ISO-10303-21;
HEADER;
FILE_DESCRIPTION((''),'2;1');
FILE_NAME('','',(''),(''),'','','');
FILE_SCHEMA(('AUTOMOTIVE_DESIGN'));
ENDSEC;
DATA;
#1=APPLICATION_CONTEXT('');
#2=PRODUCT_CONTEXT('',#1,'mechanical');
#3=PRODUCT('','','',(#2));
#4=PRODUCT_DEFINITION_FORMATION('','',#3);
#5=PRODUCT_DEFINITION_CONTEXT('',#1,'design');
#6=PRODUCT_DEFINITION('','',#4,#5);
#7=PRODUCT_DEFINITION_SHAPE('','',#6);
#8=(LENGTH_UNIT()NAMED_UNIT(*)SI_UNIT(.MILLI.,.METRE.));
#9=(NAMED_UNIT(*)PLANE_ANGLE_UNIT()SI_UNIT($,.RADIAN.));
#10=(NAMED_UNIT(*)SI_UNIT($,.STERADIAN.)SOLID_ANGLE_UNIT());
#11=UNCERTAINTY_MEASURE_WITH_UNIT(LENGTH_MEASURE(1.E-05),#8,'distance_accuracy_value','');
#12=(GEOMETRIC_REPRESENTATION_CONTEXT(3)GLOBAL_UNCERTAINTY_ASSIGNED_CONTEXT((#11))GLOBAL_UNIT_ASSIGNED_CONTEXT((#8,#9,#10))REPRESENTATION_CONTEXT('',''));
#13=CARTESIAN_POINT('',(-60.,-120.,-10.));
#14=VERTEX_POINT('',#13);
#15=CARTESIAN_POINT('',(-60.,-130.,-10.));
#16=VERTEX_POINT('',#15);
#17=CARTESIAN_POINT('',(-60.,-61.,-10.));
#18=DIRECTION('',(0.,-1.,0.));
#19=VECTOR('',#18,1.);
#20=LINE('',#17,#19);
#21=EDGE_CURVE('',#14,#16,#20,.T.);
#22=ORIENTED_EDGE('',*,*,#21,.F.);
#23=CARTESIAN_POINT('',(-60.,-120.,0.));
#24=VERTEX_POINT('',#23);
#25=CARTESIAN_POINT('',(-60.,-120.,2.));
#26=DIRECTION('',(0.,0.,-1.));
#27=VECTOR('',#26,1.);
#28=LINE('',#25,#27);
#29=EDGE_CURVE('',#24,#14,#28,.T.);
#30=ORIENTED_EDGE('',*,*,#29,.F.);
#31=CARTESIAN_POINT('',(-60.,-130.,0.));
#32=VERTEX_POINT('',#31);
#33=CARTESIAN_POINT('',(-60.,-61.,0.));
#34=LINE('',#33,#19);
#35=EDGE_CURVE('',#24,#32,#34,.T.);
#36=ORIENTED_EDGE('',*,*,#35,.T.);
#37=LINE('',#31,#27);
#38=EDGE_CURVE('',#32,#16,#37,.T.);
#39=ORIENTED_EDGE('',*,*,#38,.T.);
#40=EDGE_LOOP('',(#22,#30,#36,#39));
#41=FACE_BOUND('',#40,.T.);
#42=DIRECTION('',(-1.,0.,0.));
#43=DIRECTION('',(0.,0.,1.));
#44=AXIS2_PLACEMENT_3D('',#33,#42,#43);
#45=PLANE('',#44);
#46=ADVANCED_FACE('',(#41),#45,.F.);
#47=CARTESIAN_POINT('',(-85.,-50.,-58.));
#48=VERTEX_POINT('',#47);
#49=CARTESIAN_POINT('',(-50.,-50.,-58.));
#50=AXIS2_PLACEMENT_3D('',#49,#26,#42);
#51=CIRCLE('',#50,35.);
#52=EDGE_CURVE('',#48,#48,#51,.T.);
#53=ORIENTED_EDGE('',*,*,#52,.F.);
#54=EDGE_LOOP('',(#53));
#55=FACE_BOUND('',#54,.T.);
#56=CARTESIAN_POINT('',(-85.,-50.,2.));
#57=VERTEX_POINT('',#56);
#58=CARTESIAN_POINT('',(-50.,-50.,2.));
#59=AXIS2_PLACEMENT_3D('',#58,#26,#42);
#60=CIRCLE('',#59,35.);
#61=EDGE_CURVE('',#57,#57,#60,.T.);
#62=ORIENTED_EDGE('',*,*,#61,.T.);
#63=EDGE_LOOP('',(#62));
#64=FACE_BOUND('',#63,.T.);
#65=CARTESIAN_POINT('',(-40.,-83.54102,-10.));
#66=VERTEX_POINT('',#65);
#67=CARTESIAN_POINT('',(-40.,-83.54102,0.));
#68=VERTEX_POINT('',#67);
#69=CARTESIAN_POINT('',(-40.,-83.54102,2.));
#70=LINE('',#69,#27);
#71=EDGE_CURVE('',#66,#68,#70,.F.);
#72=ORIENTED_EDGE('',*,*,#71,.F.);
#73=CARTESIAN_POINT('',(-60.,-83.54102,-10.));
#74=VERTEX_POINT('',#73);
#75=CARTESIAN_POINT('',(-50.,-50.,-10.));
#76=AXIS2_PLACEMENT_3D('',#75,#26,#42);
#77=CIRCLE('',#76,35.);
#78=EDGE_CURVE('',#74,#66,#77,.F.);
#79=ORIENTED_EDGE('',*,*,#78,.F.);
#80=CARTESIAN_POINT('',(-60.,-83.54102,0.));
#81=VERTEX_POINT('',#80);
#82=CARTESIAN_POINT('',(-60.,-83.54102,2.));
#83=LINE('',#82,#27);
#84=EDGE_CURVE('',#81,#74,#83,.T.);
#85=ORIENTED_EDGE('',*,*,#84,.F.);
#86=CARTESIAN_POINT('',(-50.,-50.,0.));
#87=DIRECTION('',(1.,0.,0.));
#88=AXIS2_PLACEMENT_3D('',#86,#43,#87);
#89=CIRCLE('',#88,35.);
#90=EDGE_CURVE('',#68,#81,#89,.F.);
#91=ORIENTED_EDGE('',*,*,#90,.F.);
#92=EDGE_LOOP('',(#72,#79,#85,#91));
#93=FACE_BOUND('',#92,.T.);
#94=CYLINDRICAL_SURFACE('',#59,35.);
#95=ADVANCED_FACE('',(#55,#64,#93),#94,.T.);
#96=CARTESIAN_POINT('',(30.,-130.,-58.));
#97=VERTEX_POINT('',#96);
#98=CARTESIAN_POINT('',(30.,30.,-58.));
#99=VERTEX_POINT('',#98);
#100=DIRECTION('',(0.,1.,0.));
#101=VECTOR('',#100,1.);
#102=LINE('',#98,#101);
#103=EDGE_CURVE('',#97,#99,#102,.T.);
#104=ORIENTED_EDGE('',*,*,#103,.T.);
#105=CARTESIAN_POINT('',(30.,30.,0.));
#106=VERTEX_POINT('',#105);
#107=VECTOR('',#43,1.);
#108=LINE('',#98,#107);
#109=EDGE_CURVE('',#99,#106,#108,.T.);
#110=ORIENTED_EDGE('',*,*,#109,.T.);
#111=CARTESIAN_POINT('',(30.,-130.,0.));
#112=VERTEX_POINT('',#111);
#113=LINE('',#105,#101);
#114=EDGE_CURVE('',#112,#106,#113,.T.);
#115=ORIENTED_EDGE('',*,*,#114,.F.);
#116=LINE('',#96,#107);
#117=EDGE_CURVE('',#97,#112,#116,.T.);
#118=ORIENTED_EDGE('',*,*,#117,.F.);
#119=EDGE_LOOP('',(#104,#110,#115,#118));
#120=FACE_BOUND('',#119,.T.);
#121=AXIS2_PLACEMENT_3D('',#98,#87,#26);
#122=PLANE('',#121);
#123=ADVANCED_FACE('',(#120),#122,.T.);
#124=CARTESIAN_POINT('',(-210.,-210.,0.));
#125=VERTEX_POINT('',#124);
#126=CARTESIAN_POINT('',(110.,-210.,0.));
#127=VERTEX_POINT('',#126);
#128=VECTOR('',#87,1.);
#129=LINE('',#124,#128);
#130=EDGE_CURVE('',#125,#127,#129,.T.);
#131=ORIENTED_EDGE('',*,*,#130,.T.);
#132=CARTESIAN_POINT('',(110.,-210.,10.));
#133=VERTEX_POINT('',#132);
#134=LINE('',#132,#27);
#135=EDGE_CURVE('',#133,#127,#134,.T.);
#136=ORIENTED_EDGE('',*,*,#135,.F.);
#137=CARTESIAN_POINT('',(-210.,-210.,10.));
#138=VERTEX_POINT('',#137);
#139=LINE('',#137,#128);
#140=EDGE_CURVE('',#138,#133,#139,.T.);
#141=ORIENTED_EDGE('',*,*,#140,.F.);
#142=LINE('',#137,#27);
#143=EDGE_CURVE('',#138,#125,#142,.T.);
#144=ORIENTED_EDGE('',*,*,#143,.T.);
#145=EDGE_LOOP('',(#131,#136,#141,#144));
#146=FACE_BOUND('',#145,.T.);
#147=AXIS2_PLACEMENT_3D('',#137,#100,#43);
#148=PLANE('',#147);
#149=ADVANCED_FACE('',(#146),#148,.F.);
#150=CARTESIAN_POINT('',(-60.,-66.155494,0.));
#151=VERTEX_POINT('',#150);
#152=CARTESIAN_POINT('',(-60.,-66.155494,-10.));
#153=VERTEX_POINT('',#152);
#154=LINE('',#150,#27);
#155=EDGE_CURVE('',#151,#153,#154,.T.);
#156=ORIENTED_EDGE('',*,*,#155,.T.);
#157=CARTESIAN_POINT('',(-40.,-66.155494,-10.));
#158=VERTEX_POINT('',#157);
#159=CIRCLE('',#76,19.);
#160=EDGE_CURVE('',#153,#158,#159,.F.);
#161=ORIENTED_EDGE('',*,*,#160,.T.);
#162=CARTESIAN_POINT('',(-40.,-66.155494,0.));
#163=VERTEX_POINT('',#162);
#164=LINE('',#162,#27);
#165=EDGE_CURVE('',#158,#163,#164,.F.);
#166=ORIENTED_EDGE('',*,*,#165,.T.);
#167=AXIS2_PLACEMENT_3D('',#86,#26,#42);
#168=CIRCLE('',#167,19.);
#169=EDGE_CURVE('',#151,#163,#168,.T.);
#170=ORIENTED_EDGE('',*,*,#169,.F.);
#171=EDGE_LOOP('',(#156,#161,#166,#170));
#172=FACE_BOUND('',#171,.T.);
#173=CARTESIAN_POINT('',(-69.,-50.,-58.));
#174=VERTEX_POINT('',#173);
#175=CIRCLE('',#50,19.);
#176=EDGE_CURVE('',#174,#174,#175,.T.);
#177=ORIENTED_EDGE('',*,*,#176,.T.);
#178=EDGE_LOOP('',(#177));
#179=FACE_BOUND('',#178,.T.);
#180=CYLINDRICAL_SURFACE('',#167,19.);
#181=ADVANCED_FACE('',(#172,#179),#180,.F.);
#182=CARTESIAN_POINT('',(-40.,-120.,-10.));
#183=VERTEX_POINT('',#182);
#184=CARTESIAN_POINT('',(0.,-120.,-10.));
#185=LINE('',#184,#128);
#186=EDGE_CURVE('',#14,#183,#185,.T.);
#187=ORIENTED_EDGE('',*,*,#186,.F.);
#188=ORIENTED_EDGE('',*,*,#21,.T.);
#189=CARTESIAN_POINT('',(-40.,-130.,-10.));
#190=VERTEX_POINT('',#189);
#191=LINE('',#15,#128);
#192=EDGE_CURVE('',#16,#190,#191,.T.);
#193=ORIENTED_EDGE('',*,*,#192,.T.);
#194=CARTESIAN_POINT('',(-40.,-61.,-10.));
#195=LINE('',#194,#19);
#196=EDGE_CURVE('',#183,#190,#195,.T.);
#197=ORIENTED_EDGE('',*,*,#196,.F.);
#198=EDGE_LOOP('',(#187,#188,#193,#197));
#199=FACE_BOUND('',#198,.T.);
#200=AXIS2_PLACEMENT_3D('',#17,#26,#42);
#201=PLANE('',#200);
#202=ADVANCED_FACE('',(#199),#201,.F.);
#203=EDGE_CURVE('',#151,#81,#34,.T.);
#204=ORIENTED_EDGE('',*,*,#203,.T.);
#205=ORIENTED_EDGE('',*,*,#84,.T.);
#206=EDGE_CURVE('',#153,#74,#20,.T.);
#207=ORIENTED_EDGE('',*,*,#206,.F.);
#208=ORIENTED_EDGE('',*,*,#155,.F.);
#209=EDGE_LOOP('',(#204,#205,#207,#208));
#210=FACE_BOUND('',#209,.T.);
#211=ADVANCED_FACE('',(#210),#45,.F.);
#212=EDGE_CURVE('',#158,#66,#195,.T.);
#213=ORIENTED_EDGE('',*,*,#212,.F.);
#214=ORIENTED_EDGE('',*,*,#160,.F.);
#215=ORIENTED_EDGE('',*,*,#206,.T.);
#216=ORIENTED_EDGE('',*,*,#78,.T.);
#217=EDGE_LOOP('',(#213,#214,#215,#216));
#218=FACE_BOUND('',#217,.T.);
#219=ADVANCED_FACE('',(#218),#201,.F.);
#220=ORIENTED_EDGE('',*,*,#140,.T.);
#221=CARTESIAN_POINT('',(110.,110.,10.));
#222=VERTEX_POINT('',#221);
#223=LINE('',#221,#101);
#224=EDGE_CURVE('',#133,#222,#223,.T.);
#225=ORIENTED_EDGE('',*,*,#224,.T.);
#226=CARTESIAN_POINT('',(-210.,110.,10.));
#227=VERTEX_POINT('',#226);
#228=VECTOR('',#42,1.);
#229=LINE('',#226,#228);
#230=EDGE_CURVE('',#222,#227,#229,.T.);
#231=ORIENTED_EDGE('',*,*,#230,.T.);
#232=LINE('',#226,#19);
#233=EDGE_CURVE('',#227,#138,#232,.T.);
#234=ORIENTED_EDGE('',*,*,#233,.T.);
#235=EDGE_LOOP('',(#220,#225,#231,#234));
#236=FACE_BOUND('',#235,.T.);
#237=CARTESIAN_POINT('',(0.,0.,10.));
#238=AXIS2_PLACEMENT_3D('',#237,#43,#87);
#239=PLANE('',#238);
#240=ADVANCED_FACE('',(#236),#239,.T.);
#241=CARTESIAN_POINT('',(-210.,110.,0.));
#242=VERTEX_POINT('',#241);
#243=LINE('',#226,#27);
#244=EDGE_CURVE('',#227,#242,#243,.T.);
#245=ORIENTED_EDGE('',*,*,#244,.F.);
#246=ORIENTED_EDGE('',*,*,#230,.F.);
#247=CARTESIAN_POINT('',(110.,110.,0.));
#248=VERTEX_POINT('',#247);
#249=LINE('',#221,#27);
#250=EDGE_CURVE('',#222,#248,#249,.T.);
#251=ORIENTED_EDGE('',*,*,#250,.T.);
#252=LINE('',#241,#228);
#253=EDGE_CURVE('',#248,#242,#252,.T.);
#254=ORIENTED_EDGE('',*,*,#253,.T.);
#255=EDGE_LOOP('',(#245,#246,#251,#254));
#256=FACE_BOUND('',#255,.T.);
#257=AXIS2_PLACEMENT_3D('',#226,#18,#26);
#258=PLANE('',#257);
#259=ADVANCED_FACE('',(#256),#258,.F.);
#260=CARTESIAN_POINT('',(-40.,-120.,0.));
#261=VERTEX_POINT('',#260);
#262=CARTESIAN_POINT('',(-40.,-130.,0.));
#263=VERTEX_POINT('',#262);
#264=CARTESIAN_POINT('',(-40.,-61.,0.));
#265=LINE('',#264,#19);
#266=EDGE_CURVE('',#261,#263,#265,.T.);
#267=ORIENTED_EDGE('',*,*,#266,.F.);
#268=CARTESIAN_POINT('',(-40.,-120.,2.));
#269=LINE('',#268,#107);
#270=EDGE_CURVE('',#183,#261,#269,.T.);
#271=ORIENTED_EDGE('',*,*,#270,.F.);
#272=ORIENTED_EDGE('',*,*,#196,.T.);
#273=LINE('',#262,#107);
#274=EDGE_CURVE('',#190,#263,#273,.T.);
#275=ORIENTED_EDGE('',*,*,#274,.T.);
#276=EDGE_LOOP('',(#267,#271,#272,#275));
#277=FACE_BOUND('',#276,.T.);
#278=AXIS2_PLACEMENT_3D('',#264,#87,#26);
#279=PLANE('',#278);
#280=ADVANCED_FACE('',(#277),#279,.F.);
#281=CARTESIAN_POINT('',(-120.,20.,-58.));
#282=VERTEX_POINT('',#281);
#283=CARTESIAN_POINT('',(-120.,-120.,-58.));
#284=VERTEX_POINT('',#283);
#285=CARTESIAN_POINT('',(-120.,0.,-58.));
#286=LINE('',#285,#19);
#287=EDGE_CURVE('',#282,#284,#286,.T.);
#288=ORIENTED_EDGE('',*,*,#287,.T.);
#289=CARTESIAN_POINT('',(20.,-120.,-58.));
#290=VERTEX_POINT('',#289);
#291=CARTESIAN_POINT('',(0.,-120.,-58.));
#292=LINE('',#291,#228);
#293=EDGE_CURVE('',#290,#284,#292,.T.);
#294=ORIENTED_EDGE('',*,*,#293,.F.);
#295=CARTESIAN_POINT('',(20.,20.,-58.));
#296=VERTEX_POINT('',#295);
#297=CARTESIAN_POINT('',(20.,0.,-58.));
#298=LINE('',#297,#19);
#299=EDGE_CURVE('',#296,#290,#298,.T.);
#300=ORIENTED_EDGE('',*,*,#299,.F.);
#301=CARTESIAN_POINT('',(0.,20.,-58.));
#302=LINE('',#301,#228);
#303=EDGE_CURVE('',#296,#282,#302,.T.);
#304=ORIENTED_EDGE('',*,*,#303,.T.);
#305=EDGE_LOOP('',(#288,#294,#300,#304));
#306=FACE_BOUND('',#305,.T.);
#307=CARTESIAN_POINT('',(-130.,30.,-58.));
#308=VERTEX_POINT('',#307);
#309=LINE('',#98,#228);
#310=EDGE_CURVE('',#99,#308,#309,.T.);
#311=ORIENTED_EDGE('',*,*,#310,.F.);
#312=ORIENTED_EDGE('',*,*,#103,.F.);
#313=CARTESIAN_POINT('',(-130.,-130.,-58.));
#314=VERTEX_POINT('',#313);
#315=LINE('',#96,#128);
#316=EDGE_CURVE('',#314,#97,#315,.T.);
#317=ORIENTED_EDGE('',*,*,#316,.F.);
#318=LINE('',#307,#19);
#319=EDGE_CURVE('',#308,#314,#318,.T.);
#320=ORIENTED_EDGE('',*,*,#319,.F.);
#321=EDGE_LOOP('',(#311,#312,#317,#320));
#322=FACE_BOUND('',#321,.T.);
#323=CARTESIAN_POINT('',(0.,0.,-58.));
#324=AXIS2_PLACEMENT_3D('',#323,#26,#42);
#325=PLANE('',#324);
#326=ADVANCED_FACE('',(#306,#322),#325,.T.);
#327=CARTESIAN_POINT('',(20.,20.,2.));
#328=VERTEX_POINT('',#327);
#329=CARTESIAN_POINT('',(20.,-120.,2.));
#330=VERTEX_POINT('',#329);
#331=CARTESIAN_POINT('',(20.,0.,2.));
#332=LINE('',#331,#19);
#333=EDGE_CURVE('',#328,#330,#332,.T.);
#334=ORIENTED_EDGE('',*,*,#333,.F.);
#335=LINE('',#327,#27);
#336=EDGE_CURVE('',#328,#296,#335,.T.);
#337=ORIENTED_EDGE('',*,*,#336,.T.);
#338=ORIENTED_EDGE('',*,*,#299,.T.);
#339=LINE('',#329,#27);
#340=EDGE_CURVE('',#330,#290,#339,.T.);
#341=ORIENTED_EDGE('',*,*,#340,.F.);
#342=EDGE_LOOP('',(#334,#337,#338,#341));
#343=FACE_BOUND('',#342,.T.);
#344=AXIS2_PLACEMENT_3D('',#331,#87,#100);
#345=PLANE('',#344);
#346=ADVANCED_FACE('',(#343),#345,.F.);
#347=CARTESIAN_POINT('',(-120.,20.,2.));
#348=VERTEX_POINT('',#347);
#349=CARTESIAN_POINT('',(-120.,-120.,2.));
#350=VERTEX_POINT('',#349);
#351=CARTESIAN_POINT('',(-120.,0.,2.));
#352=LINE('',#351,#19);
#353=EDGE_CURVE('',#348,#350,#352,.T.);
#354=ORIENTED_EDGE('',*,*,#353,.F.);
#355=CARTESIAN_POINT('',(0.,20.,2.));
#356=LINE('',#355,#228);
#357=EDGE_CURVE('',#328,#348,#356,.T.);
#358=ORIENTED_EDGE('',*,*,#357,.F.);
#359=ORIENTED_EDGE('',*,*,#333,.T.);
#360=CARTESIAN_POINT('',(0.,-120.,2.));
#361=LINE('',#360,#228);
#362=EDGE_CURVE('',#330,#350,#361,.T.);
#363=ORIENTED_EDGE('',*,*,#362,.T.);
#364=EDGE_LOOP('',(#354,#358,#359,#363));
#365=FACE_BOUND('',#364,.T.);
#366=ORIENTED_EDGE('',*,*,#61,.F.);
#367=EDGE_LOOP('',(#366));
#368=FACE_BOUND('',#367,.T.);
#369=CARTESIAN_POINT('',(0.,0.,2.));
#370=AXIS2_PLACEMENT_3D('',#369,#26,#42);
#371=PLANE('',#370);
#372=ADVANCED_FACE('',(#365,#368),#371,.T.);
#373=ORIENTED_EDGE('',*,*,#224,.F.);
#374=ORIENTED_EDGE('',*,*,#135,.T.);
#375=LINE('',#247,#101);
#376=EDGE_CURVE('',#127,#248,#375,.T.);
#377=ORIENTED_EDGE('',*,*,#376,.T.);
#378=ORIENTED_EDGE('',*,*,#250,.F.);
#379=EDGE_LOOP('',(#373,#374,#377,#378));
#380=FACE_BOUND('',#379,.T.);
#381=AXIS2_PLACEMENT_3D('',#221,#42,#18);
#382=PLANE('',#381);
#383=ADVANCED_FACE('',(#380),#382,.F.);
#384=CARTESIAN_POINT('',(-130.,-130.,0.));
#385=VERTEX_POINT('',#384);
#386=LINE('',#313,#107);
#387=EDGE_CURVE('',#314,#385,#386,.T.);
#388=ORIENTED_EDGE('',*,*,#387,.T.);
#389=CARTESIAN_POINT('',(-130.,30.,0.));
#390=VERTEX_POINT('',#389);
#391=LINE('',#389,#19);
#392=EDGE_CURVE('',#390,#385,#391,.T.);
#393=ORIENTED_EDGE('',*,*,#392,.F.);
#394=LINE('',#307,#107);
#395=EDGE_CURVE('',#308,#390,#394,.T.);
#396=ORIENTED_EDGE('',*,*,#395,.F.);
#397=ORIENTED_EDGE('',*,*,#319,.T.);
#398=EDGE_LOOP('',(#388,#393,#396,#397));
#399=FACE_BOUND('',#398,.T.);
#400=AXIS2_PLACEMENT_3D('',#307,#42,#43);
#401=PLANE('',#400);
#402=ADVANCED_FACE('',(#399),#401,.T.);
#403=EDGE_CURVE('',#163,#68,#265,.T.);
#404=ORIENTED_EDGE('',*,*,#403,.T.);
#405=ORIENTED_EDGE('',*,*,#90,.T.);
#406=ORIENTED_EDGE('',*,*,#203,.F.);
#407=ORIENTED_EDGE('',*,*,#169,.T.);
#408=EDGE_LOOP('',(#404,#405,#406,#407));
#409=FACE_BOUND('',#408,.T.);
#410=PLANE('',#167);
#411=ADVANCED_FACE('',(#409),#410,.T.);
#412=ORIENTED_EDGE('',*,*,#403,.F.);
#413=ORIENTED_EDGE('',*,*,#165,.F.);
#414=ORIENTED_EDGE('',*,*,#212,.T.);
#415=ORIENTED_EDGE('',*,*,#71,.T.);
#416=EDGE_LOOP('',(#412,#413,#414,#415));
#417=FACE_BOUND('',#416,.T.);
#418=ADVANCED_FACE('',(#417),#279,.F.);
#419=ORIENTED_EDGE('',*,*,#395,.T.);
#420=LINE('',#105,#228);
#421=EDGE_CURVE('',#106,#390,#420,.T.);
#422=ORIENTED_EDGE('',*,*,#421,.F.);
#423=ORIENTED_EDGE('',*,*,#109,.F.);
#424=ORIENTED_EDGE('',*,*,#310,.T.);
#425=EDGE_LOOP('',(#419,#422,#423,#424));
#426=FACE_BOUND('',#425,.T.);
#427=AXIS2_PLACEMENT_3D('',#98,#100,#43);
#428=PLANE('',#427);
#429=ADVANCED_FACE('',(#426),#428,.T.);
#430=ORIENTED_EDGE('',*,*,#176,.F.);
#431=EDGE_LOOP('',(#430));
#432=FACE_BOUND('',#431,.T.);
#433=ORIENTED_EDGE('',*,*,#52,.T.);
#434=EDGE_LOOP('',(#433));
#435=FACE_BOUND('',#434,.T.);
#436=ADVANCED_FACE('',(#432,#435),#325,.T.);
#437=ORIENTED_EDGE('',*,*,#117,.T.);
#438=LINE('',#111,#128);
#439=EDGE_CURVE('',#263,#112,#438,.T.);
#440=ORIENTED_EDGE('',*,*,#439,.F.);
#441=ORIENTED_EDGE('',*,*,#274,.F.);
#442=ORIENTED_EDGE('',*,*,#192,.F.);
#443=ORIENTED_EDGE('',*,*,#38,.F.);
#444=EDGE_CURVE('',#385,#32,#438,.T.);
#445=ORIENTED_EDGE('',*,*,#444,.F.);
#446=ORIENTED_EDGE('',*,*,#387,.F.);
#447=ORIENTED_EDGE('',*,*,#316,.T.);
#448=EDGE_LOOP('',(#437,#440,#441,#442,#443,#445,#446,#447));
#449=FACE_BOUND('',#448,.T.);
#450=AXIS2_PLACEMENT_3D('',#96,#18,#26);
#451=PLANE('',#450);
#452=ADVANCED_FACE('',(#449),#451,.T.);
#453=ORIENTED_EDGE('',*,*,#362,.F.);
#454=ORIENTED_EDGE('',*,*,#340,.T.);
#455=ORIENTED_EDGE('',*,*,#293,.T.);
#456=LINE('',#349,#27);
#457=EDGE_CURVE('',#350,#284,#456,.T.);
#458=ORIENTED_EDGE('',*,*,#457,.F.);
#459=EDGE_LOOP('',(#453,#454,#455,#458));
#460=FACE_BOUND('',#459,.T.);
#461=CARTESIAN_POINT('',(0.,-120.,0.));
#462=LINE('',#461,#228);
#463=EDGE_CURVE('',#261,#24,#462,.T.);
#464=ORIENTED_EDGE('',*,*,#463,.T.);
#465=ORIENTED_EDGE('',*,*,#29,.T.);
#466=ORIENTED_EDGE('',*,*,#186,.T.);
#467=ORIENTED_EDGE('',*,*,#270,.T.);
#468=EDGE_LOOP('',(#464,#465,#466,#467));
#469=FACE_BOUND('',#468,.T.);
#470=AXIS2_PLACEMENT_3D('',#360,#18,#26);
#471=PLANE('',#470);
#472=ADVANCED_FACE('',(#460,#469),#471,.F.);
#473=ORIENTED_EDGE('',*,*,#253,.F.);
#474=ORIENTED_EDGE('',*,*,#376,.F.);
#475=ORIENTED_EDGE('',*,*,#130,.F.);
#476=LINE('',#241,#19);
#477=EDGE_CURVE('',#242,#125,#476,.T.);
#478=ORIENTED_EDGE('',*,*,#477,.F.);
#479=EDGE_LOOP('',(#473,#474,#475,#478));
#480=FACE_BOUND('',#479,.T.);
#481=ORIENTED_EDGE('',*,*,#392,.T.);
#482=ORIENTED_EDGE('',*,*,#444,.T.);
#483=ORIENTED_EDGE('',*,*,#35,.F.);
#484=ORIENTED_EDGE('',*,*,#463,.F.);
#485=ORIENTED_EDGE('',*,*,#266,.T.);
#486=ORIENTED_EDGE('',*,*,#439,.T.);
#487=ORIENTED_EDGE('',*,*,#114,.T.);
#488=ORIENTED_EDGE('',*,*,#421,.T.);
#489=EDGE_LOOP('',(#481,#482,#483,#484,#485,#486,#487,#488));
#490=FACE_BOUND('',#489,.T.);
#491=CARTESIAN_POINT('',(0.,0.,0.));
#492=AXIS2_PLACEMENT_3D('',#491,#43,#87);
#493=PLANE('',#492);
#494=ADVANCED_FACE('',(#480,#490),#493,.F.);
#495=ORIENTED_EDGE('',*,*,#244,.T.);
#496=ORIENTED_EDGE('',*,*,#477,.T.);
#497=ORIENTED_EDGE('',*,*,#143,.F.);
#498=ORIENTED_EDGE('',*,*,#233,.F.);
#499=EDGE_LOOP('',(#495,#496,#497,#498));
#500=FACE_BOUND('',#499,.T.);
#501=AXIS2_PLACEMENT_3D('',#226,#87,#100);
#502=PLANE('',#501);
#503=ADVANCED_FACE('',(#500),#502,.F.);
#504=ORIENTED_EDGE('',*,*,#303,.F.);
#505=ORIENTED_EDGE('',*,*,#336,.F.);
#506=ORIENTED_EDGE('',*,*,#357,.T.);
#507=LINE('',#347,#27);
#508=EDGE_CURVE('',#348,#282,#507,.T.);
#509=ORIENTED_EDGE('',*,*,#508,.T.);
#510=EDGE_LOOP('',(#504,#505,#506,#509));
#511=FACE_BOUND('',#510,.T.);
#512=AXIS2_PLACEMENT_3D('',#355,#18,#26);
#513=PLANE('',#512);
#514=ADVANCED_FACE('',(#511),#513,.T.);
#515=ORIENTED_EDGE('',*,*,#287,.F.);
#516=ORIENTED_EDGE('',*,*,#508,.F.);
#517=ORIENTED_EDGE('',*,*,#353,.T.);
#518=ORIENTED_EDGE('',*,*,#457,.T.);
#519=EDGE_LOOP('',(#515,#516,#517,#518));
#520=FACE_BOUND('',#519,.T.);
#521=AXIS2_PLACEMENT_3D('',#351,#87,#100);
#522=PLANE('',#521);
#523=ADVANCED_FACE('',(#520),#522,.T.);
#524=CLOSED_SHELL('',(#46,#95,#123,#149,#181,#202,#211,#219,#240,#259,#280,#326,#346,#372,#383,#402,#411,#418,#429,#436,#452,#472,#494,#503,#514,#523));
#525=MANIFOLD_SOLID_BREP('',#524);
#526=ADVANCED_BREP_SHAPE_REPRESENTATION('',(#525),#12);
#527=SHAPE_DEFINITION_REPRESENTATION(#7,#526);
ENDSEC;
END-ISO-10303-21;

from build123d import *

# Parameters (mm, degrees)
CROQUIS1_W              = 320
CROQUIS1_H              = 320
SALIENTE_EXTRUIR2_DEPTH = 10
CROQUIS2_W              = 160
CROQUIS2_H              = 160
SALIENTE_EXTRUIR3_DEPTH = 58
CROQUIS3_R              = 19
CORTAR_EXTRUIR1_DEPTH   = 58
CROQUIS6_W              = 140
CROQUIS6_H              = 140
CROQUIS6_R              = 35
CORTAR_EXTRUIR5_DEPTH   = 60
CROQUIS7_W              = 20
CROQUIS7_H              = 10
CORTAR_EXTRUIR6_DEPTH   = 69


with BuildPart() as part:
    # Croquis1 → Saliente-Extruir2 (new body)
    with BuildSketch(Plane.XY):
        with Locations((-50, -50)):
            Rectangle(CROQUIS1_W, CROQUIS1_H)
    extrude(amount=SALIENTE_EXTRUIR2_DEPTH)

    # Croquis2 → Saliente-Extruir3 (add)
    with BuildSketch(Plane.XY):
        with Locations((-50, -50)):
            Rectangle(CROQUIS2_W, CROQUIS2_H)
    extrude(amount=-SALIENTE_EXTRUIR3_DEPTH)

    # Croquis3 → Cortar-Extruir1 (cut)
    with BuildSketch(Plane(origin=(0, 0, -58), x_dir=(-1, 0, 0), z_dir=(0, 0, -1))):
        with Locations((50, -50)):
            Circle(CROQUIS3_R)
    extrude(amount=-CORTAR_EXTRUIR1_DEPTH, mode=Mode.SUBTRACT)

    # Croquis6 → Cortar-Extruir5 (cut)
    with BuildSketch(Plane(origin=(0, 0, -58), x_dir=(-1, 0, 0), z_dir=(0, 0, -1))):
        with Locations((50, -50)):
            Rectangle(CROQUIS6_W, CROQUIS6_H)
        with Locations((50, -50)):
            Circle(CROQUIS6_R, mode=Mode.SUBTRACT)
    extrude(amount=-CORTAR_EXTRUIR5_DEPTH, mode=Mode.SUBTRACT)

    # Croquis7 → Cortar-Extruir6 (cut)
    with BuildSketch(Plane.XZ.offset(130)):
        with Locations((-50, -5)):
            Rectangle(CROQUIS7_W, CROQUIS7_H)
    extrude(amount=-CORTAR_EXTRUIR6_DEPTH, mode=Mode.SUBTRACT)


solid = part.part
